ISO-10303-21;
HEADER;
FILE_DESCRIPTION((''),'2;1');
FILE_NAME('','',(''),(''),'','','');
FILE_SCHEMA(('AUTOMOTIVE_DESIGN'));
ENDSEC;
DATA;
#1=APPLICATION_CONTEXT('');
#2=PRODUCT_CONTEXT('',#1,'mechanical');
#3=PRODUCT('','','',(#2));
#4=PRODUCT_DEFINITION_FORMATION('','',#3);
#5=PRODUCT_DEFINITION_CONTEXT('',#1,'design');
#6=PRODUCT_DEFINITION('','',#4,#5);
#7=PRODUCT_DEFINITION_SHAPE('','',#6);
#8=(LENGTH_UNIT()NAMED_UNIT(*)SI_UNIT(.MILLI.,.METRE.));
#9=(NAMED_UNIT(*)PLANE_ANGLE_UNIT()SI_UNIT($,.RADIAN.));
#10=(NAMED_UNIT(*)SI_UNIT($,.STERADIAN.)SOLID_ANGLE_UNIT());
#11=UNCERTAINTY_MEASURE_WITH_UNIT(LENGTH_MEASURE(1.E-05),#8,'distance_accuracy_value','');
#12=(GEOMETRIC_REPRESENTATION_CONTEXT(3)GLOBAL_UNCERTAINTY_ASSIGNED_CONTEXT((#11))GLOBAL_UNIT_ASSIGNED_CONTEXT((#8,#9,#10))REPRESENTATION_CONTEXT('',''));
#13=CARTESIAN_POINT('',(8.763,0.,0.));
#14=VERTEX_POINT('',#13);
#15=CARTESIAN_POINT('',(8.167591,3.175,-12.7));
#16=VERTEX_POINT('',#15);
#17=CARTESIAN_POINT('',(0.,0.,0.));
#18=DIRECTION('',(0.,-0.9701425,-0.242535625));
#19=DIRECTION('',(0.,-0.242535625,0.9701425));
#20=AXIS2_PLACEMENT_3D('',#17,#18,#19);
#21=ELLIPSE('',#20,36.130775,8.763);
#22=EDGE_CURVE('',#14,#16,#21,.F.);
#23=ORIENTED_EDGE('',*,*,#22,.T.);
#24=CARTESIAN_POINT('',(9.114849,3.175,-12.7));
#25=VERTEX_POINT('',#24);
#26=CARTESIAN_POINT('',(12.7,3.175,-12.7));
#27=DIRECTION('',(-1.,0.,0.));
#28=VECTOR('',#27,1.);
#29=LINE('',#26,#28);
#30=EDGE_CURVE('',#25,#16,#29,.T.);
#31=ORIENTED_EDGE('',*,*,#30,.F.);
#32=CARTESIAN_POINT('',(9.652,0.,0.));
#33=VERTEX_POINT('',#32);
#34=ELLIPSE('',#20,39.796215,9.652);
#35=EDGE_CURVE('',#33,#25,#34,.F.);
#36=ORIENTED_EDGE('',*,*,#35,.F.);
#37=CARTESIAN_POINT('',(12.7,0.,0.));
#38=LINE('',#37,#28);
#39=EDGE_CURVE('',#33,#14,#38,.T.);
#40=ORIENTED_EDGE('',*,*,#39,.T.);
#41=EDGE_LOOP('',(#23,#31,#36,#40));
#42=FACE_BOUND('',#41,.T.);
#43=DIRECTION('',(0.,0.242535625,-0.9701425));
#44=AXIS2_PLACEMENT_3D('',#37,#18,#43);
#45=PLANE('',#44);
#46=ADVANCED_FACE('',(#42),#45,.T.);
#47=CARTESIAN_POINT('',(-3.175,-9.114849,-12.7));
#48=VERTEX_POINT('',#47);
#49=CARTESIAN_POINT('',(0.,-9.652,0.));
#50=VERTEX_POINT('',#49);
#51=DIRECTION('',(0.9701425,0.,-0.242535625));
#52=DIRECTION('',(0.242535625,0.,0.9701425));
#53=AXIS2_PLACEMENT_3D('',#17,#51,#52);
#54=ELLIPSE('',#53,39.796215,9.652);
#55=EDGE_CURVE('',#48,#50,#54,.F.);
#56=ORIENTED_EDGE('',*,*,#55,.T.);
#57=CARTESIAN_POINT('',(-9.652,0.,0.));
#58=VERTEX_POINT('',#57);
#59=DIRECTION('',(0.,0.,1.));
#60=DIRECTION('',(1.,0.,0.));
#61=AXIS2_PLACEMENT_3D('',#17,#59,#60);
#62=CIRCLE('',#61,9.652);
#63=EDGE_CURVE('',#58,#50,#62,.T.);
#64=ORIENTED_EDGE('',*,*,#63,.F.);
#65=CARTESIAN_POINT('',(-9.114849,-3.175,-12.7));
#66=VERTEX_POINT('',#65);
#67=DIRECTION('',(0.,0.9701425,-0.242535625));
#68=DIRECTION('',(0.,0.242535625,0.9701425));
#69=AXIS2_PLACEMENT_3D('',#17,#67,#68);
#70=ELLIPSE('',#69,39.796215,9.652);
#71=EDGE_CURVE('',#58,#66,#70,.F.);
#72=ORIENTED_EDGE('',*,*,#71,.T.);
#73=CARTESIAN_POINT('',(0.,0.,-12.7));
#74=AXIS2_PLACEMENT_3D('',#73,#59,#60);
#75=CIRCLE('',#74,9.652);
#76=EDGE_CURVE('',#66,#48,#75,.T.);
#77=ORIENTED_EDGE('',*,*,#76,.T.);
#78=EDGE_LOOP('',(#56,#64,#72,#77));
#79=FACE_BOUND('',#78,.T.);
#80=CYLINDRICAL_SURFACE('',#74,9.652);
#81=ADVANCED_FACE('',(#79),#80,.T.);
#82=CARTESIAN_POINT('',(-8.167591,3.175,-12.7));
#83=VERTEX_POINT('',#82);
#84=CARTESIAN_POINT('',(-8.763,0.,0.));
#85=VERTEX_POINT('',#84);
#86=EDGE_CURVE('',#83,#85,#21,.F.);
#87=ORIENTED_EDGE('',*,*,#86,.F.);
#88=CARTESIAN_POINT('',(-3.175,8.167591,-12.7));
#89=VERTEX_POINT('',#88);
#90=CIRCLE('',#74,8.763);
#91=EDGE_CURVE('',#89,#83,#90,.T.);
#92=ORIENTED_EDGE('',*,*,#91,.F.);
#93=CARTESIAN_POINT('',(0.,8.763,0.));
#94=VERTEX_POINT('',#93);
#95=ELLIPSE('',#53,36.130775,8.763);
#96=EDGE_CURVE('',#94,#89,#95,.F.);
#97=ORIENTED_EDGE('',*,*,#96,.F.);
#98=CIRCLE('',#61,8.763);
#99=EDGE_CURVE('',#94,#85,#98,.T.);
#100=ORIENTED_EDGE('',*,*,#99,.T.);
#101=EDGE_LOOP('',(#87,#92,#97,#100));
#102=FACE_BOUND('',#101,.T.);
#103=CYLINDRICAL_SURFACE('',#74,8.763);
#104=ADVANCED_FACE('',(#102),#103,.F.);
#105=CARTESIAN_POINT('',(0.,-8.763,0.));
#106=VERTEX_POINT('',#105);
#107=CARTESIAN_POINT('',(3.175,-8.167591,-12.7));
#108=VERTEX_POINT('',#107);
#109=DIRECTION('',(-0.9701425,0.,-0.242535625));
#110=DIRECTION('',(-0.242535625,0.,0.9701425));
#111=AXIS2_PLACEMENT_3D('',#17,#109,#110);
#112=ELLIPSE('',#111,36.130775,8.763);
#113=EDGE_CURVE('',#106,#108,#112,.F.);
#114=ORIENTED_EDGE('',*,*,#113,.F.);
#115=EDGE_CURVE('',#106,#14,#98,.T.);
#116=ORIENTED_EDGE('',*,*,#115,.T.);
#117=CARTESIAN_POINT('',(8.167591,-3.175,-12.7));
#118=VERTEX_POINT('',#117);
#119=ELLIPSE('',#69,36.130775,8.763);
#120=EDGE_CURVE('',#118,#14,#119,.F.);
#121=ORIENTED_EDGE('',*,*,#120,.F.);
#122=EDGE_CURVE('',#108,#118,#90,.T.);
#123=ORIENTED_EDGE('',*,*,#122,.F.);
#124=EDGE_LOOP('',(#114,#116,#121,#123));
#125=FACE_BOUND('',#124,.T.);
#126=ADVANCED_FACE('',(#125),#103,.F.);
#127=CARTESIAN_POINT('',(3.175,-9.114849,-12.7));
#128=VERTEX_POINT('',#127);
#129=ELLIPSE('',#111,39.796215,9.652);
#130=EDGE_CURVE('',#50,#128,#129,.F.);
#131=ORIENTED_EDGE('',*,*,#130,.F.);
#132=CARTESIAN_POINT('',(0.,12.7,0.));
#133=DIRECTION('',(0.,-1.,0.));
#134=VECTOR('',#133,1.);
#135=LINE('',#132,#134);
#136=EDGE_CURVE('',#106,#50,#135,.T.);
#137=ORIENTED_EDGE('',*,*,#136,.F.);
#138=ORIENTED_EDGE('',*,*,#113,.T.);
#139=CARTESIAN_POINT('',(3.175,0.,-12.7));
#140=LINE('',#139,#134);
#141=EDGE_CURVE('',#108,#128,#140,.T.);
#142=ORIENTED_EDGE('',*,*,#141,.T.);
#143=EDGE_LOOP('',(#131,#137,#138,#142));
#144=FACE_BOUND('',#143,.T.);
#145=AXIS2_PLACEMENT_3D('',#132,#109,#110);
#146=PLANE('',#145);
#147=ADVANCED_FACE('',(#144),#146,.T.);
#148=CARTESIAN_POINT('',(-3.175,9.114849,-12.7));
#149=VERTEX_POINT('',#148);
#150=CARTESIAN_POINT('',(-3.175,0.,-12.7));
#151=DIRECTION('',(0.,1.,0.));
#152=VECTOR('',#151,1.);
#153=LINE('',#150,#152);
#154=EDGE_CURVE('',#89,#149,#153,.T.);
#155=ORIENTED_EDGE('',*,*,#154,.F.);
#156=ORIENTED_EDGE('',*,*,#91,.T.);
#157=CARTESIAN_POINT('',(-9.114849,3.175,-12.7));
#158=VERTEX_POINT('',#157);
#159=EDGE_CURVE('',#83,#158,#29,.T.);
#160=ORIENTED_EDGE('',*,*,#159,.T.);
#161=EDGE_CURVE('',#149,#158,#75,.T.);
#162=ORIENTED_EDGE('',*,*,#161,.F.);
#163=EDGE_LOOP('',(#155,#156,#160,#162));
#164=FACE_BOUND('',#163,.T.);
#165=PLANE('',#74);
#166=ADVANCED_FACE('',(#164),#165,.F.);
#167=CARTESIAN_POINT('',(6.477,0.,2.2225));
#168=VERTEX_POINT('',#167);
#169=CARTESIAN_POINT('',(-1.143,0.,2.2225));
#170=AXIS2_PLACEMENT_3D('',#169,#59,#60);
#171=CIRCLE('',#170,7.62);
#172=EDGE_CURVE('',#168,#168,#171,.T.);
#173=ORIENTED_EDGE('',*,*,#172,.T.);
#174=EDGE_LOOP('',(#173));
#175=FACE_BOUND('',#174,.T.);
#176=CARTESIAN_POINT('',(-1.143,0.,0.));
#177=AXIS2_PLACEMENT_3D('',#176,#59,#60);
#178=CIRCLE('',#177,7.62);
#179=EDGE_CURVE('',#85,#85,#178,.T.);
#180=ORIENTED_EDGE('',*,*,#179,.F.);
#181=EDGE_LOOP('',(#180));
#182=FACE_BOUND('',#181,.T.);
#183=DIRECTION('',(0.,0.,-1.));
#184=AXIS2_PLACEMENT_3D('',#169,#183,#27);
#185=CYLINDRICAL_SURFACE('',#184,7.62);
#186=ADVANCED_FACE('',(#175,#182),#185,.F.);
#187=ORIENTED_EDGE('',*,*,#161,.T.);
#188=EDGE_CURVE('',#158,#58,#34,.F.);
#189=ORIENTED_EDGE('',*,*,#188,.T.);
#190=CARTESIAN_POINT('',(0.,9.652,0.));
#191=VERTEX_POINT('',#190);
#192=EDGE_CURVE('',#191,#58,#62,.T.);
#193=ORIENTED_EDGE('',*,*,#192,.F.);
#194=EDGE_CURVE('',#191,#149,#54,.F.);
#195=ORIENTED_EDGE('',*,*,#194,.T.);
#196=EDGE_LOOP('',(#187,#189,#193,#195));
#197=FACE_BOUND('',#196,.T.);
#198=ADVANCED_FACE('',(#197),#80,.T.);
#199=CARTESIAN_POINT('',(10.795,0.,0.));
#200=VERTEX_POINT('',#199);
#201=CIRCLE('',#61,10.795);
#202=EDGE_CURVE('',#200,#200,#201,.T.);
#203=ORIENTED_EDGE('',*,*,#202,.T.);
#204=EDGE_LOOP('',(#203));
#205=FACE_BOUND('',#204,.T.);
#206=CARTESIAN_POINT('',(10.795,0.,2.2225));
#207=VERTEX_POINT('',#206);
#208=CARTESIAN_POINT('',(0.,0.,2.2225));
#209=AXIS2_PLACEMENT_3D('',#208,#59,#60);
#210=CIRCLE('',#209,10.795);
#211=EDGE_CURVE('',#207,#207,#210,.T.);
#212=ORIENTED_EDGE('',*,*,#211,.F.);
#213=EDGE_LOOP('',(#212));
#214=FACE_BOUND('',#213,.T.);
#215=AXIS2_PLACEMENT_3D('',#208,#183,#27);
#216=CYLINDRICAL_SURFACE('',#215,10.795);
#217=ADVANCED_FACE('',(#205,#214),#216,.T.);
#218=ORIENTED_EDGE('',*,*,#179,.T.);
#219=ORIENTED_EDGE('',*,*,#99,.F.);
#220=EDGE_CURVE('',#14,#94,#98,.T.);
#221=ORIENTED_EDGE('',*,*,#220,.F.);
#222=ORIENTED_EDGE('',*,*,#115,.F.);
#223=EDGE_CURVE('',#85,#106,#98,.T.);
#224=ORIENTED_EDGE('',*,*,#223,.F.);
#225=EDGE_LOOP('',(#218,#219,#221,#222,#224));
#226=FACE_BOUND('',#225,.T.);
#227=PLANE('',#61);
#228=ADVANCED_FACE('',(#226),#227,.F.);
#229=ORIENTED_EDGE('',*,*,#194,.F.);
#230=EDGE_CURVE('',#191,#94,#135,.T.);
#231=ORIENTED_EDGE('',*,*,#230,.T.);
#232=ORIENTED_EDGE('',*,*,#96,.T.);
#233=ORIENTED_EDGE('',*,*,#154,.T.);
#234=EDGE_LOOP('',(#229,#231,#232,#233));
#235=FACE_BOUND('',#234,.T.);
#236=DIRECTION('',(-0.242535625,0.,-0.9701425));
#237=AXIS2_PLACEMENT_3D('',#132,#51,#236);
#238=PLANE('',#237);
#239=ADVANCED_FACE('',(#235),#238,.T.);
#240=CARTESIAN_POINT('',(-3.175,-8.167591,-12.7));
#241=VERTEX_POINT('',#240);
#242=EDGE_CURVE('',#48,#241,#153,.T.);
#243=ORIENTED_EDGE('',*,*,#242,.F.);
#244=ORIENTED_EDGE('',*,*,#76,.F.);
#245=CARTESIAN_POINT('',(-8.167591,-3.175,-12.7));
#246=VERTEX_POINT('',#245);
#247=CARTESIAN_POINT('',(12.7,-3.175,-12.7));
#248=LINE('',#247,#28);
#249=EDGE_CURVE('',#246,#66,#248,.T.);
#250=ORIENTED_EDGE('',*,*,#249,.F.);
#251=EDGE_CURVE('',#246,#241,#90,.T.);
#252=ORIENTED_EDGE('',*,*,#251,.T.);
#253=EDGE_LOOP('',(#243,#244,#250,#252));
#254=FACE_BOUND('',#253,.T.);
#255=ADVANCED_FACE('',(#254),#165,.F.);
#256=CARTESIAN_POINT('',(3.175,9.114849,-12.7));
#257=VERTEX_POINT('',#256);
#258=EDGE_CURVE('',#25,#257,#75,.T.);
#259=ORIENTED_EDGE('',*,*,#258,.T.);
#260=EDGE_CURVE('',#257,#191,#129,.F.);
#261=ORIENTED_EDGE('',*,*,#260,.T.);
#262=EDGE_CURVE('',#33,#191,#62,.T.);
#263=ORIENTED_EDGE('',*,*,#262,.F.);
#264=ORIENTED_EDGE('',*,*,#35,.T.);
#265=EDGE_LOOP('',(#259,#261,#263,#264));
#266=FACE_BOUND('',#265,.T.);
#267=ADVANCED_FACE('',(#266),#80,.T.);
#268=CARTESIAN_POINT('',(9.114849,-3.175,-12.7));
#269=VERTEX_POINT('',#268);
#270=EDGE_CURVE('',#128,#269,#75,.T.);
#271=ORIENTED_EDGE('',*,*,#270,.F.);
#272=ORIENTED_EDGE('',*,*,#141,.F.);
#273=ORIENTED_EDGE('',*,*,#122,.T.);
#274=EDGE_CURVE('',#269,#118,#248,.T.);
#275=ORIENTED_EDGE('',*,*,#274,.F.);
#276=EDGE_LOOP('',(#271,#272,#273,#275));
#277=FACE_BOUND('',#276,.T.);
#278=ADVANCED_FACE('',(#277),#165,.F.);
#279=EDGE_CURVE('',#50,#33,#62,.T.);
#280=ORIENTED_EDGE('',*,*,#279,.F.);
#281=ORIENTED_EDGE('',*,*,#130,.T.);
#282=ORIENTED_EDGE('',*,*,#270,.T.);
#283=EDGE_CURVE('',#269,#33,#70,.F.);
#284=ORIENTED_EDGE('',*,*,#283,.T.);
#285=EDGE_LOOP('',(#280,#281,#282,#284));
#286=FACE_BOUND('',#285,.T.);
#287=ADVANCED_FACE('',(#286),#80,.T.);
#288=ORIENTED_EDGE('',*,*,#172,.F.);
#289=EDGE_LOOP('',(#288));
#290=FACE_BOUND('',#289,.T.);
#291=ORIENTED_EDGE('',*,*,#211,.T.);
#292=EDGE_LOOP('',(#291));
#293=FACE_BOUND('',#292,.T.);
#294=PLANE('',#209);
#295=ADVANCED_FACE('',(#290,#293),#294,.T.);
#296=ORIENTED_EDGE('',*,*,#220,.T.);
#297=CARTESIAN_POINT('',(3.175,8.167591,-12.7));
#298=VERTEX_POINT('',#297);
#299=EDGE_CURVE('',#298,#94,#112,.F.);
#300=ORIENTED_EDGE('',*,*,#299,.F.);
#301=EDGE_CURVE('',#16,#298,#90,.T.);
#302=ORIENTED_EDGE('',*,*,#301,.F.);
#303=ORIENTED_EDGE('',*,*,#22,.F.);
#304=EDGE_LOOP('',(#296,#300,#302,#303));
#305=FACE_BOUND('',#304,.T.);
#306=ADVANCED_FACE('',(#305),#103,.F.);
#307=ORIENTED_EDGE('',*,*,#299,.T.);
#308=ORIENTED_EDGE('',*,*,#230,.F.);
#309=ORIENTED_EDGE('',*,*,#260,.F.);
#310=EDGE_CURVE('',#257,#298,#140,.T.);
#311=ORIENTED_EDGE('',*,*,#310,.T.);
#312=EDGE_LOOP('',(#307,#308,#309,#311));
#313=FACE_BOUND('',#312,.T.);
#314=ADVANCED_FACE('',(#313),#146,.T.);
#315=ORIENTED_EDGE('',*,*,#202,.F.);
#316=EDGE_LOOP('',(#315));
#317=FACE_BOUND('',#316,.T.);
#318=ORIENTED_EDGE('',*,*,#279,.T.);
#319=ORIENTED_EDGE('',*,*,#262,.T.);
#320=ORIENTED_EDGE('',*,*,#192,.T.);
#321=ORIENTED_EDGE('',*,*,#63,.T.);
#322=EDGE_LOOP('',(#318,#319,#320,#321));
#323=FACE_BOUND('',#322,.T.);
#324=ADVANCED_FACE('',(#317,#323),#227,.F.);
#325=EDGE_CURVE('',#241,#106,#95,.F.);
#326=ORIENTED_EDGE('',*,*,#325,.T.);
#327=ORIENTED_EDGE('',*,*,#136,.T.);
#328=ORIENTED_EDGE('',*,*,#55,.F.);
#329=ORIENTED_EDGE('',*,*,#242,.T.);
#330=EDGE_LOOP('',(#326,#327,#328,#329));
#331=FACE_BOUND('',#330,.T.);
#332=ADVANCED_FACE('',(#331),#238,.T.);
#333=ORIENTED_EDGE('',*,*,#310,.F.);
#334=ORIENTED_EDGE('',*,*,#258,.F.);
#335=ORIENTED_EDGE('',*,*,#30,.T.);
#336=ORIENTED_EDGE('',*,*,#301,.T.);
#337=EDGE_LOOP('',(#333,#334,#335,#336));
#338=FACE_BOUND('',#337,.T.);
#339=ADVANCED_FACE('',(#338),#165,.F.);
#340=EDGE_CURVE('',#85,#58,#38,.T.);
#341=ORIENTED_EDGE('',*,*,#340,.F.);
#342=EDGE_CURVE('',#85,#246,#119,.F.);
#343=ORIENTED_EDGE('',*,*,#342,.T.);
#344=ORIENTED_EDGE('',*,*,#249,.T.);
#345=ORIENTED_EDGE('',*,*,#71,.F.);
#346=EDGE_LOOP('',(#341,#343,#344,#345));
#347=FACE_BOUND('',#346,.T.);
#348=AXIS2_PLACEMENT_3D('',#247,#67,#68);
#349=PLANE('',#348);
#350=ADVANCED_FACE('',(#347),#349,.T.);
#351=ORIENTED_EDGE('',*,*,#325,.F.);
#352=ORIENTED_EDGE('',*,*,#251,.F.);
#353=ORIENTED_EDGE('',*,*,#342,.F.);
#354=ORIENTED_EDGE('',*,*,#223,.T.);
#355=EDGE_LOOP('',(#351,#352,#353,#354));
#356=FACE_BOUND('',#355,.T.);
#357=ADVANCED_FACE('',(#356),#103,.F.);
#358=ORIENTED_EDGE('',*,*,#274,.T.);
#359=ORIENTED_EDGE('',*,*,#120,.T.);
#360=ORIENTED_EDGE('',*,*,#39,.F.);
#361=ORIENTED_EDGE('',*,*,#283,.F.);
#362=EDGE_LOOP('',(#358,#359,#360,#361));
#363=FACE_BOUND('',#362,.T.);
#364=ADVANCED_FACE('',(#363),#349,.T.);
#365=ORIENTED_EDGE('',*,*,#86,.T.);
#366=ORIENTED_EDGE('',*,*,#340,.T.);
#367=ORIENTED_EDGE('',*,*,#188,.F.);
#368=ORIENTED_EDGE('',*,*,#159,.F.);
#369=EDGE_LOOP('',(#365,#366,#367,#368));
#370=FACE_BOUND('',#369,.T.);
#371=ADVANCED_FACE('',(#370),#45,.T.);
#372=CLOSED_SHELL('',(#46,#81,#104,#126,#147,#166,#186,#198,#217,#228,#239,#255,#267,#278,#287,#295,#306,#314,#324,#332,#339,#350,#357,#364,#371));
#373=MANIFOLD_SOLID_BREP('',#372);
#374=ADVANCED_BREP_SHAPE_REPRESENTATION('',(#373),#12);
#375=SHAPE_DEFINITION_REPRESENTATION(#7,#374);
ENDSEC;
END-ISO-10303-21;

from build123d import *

# Parameters (mm, degrees)
SKETCH2_R               = 10.795
SKETCH2_R_2             = 7.62
BOSS_EXTRUDE1_DEPTH     = 2.2225
SKETCH2_4_R             = 9.652
BOSS_EXTRUDE2_DEPTH     = 12.7
CUT_EXTRUDE1_DEPTH      = 12.7
CUT_EXTRUDE1_DEPTH_BACK = 12.7
CUT_EXTRUDE2_DEPTH      = 12.7
CUT_EXTRUDE2_DEPTH_BACK = 12.7


with BuildPart() as part:
    # Sketch2 → Boss-Extrude1 (new body)
    with BuildSketch(Plane.XY):
        Circle(SKETCH2_R)
        with Locations((-1.143, 0)):
            Circle(SKETCH2_R_2, mode=Mode.SUBTRACT)
    extrude(amount=BOSS_EXTRUDE1_DEPTH)

    # Sketch2<4> → Boss-Extrude2 (add)
    with BuildSketch(Plane.XY):
        Circle(SKETCH2_4_R)
        with BuildLine():
            ThreePointArc((8.763, 0), (7.7e-08, -8.763), (-8.763, -1.54e-07))
            ThreePointArc((-8.763, -1.54e-07), (-7.7e-08, 8.763), (8.763, 0))
        make_face(mode=Mode.SUBTRACT)
    extrude(amount=-BOSS_EXTRUDE2_DEPTH)

    # Sketch3 → Cut-Extrude1 (cut, two sides: drawn at the far end of the back side and taken through both)
    with BuildSketch(Plane(origin=(0, 0, 0), x_dir=(1, 0, 0), z_dir=(0, 1, 0)).offset(-CUT_EXTRUDE1_DEPTH_BACK)):
        Polygon((0, 0), (3.175, 12.7), (-3.175, 12.7), align=None)
    extrude(amount=CUT_EXTRUDE1_DEPTH + CUT_EXTRUDE1_DEPTH_BACK, mode=Mode.SUBTRACT)

    # Sketch5 → Cut-Extrude2 (cut, two sides: drawn at the far end of the back side and taken through both)
    with BuildSketch(Plane(origin=(0, 0, 0), x_dir=(0, 0, -1), z_dir=(1, 0, 0)).offset(-CUT_EXTRUDE2_DEPTH_BACK)):
        Polygon((0, 0), (12.7, 3.175), (12.7, -3.175), align=None)
    extrude(amount=CUT_EXTRUDE2_DEPTH + CUT_EXTRUDE2_DEPTH_BACK, mode=Mode.SUBTRACT)


solid = part.part
